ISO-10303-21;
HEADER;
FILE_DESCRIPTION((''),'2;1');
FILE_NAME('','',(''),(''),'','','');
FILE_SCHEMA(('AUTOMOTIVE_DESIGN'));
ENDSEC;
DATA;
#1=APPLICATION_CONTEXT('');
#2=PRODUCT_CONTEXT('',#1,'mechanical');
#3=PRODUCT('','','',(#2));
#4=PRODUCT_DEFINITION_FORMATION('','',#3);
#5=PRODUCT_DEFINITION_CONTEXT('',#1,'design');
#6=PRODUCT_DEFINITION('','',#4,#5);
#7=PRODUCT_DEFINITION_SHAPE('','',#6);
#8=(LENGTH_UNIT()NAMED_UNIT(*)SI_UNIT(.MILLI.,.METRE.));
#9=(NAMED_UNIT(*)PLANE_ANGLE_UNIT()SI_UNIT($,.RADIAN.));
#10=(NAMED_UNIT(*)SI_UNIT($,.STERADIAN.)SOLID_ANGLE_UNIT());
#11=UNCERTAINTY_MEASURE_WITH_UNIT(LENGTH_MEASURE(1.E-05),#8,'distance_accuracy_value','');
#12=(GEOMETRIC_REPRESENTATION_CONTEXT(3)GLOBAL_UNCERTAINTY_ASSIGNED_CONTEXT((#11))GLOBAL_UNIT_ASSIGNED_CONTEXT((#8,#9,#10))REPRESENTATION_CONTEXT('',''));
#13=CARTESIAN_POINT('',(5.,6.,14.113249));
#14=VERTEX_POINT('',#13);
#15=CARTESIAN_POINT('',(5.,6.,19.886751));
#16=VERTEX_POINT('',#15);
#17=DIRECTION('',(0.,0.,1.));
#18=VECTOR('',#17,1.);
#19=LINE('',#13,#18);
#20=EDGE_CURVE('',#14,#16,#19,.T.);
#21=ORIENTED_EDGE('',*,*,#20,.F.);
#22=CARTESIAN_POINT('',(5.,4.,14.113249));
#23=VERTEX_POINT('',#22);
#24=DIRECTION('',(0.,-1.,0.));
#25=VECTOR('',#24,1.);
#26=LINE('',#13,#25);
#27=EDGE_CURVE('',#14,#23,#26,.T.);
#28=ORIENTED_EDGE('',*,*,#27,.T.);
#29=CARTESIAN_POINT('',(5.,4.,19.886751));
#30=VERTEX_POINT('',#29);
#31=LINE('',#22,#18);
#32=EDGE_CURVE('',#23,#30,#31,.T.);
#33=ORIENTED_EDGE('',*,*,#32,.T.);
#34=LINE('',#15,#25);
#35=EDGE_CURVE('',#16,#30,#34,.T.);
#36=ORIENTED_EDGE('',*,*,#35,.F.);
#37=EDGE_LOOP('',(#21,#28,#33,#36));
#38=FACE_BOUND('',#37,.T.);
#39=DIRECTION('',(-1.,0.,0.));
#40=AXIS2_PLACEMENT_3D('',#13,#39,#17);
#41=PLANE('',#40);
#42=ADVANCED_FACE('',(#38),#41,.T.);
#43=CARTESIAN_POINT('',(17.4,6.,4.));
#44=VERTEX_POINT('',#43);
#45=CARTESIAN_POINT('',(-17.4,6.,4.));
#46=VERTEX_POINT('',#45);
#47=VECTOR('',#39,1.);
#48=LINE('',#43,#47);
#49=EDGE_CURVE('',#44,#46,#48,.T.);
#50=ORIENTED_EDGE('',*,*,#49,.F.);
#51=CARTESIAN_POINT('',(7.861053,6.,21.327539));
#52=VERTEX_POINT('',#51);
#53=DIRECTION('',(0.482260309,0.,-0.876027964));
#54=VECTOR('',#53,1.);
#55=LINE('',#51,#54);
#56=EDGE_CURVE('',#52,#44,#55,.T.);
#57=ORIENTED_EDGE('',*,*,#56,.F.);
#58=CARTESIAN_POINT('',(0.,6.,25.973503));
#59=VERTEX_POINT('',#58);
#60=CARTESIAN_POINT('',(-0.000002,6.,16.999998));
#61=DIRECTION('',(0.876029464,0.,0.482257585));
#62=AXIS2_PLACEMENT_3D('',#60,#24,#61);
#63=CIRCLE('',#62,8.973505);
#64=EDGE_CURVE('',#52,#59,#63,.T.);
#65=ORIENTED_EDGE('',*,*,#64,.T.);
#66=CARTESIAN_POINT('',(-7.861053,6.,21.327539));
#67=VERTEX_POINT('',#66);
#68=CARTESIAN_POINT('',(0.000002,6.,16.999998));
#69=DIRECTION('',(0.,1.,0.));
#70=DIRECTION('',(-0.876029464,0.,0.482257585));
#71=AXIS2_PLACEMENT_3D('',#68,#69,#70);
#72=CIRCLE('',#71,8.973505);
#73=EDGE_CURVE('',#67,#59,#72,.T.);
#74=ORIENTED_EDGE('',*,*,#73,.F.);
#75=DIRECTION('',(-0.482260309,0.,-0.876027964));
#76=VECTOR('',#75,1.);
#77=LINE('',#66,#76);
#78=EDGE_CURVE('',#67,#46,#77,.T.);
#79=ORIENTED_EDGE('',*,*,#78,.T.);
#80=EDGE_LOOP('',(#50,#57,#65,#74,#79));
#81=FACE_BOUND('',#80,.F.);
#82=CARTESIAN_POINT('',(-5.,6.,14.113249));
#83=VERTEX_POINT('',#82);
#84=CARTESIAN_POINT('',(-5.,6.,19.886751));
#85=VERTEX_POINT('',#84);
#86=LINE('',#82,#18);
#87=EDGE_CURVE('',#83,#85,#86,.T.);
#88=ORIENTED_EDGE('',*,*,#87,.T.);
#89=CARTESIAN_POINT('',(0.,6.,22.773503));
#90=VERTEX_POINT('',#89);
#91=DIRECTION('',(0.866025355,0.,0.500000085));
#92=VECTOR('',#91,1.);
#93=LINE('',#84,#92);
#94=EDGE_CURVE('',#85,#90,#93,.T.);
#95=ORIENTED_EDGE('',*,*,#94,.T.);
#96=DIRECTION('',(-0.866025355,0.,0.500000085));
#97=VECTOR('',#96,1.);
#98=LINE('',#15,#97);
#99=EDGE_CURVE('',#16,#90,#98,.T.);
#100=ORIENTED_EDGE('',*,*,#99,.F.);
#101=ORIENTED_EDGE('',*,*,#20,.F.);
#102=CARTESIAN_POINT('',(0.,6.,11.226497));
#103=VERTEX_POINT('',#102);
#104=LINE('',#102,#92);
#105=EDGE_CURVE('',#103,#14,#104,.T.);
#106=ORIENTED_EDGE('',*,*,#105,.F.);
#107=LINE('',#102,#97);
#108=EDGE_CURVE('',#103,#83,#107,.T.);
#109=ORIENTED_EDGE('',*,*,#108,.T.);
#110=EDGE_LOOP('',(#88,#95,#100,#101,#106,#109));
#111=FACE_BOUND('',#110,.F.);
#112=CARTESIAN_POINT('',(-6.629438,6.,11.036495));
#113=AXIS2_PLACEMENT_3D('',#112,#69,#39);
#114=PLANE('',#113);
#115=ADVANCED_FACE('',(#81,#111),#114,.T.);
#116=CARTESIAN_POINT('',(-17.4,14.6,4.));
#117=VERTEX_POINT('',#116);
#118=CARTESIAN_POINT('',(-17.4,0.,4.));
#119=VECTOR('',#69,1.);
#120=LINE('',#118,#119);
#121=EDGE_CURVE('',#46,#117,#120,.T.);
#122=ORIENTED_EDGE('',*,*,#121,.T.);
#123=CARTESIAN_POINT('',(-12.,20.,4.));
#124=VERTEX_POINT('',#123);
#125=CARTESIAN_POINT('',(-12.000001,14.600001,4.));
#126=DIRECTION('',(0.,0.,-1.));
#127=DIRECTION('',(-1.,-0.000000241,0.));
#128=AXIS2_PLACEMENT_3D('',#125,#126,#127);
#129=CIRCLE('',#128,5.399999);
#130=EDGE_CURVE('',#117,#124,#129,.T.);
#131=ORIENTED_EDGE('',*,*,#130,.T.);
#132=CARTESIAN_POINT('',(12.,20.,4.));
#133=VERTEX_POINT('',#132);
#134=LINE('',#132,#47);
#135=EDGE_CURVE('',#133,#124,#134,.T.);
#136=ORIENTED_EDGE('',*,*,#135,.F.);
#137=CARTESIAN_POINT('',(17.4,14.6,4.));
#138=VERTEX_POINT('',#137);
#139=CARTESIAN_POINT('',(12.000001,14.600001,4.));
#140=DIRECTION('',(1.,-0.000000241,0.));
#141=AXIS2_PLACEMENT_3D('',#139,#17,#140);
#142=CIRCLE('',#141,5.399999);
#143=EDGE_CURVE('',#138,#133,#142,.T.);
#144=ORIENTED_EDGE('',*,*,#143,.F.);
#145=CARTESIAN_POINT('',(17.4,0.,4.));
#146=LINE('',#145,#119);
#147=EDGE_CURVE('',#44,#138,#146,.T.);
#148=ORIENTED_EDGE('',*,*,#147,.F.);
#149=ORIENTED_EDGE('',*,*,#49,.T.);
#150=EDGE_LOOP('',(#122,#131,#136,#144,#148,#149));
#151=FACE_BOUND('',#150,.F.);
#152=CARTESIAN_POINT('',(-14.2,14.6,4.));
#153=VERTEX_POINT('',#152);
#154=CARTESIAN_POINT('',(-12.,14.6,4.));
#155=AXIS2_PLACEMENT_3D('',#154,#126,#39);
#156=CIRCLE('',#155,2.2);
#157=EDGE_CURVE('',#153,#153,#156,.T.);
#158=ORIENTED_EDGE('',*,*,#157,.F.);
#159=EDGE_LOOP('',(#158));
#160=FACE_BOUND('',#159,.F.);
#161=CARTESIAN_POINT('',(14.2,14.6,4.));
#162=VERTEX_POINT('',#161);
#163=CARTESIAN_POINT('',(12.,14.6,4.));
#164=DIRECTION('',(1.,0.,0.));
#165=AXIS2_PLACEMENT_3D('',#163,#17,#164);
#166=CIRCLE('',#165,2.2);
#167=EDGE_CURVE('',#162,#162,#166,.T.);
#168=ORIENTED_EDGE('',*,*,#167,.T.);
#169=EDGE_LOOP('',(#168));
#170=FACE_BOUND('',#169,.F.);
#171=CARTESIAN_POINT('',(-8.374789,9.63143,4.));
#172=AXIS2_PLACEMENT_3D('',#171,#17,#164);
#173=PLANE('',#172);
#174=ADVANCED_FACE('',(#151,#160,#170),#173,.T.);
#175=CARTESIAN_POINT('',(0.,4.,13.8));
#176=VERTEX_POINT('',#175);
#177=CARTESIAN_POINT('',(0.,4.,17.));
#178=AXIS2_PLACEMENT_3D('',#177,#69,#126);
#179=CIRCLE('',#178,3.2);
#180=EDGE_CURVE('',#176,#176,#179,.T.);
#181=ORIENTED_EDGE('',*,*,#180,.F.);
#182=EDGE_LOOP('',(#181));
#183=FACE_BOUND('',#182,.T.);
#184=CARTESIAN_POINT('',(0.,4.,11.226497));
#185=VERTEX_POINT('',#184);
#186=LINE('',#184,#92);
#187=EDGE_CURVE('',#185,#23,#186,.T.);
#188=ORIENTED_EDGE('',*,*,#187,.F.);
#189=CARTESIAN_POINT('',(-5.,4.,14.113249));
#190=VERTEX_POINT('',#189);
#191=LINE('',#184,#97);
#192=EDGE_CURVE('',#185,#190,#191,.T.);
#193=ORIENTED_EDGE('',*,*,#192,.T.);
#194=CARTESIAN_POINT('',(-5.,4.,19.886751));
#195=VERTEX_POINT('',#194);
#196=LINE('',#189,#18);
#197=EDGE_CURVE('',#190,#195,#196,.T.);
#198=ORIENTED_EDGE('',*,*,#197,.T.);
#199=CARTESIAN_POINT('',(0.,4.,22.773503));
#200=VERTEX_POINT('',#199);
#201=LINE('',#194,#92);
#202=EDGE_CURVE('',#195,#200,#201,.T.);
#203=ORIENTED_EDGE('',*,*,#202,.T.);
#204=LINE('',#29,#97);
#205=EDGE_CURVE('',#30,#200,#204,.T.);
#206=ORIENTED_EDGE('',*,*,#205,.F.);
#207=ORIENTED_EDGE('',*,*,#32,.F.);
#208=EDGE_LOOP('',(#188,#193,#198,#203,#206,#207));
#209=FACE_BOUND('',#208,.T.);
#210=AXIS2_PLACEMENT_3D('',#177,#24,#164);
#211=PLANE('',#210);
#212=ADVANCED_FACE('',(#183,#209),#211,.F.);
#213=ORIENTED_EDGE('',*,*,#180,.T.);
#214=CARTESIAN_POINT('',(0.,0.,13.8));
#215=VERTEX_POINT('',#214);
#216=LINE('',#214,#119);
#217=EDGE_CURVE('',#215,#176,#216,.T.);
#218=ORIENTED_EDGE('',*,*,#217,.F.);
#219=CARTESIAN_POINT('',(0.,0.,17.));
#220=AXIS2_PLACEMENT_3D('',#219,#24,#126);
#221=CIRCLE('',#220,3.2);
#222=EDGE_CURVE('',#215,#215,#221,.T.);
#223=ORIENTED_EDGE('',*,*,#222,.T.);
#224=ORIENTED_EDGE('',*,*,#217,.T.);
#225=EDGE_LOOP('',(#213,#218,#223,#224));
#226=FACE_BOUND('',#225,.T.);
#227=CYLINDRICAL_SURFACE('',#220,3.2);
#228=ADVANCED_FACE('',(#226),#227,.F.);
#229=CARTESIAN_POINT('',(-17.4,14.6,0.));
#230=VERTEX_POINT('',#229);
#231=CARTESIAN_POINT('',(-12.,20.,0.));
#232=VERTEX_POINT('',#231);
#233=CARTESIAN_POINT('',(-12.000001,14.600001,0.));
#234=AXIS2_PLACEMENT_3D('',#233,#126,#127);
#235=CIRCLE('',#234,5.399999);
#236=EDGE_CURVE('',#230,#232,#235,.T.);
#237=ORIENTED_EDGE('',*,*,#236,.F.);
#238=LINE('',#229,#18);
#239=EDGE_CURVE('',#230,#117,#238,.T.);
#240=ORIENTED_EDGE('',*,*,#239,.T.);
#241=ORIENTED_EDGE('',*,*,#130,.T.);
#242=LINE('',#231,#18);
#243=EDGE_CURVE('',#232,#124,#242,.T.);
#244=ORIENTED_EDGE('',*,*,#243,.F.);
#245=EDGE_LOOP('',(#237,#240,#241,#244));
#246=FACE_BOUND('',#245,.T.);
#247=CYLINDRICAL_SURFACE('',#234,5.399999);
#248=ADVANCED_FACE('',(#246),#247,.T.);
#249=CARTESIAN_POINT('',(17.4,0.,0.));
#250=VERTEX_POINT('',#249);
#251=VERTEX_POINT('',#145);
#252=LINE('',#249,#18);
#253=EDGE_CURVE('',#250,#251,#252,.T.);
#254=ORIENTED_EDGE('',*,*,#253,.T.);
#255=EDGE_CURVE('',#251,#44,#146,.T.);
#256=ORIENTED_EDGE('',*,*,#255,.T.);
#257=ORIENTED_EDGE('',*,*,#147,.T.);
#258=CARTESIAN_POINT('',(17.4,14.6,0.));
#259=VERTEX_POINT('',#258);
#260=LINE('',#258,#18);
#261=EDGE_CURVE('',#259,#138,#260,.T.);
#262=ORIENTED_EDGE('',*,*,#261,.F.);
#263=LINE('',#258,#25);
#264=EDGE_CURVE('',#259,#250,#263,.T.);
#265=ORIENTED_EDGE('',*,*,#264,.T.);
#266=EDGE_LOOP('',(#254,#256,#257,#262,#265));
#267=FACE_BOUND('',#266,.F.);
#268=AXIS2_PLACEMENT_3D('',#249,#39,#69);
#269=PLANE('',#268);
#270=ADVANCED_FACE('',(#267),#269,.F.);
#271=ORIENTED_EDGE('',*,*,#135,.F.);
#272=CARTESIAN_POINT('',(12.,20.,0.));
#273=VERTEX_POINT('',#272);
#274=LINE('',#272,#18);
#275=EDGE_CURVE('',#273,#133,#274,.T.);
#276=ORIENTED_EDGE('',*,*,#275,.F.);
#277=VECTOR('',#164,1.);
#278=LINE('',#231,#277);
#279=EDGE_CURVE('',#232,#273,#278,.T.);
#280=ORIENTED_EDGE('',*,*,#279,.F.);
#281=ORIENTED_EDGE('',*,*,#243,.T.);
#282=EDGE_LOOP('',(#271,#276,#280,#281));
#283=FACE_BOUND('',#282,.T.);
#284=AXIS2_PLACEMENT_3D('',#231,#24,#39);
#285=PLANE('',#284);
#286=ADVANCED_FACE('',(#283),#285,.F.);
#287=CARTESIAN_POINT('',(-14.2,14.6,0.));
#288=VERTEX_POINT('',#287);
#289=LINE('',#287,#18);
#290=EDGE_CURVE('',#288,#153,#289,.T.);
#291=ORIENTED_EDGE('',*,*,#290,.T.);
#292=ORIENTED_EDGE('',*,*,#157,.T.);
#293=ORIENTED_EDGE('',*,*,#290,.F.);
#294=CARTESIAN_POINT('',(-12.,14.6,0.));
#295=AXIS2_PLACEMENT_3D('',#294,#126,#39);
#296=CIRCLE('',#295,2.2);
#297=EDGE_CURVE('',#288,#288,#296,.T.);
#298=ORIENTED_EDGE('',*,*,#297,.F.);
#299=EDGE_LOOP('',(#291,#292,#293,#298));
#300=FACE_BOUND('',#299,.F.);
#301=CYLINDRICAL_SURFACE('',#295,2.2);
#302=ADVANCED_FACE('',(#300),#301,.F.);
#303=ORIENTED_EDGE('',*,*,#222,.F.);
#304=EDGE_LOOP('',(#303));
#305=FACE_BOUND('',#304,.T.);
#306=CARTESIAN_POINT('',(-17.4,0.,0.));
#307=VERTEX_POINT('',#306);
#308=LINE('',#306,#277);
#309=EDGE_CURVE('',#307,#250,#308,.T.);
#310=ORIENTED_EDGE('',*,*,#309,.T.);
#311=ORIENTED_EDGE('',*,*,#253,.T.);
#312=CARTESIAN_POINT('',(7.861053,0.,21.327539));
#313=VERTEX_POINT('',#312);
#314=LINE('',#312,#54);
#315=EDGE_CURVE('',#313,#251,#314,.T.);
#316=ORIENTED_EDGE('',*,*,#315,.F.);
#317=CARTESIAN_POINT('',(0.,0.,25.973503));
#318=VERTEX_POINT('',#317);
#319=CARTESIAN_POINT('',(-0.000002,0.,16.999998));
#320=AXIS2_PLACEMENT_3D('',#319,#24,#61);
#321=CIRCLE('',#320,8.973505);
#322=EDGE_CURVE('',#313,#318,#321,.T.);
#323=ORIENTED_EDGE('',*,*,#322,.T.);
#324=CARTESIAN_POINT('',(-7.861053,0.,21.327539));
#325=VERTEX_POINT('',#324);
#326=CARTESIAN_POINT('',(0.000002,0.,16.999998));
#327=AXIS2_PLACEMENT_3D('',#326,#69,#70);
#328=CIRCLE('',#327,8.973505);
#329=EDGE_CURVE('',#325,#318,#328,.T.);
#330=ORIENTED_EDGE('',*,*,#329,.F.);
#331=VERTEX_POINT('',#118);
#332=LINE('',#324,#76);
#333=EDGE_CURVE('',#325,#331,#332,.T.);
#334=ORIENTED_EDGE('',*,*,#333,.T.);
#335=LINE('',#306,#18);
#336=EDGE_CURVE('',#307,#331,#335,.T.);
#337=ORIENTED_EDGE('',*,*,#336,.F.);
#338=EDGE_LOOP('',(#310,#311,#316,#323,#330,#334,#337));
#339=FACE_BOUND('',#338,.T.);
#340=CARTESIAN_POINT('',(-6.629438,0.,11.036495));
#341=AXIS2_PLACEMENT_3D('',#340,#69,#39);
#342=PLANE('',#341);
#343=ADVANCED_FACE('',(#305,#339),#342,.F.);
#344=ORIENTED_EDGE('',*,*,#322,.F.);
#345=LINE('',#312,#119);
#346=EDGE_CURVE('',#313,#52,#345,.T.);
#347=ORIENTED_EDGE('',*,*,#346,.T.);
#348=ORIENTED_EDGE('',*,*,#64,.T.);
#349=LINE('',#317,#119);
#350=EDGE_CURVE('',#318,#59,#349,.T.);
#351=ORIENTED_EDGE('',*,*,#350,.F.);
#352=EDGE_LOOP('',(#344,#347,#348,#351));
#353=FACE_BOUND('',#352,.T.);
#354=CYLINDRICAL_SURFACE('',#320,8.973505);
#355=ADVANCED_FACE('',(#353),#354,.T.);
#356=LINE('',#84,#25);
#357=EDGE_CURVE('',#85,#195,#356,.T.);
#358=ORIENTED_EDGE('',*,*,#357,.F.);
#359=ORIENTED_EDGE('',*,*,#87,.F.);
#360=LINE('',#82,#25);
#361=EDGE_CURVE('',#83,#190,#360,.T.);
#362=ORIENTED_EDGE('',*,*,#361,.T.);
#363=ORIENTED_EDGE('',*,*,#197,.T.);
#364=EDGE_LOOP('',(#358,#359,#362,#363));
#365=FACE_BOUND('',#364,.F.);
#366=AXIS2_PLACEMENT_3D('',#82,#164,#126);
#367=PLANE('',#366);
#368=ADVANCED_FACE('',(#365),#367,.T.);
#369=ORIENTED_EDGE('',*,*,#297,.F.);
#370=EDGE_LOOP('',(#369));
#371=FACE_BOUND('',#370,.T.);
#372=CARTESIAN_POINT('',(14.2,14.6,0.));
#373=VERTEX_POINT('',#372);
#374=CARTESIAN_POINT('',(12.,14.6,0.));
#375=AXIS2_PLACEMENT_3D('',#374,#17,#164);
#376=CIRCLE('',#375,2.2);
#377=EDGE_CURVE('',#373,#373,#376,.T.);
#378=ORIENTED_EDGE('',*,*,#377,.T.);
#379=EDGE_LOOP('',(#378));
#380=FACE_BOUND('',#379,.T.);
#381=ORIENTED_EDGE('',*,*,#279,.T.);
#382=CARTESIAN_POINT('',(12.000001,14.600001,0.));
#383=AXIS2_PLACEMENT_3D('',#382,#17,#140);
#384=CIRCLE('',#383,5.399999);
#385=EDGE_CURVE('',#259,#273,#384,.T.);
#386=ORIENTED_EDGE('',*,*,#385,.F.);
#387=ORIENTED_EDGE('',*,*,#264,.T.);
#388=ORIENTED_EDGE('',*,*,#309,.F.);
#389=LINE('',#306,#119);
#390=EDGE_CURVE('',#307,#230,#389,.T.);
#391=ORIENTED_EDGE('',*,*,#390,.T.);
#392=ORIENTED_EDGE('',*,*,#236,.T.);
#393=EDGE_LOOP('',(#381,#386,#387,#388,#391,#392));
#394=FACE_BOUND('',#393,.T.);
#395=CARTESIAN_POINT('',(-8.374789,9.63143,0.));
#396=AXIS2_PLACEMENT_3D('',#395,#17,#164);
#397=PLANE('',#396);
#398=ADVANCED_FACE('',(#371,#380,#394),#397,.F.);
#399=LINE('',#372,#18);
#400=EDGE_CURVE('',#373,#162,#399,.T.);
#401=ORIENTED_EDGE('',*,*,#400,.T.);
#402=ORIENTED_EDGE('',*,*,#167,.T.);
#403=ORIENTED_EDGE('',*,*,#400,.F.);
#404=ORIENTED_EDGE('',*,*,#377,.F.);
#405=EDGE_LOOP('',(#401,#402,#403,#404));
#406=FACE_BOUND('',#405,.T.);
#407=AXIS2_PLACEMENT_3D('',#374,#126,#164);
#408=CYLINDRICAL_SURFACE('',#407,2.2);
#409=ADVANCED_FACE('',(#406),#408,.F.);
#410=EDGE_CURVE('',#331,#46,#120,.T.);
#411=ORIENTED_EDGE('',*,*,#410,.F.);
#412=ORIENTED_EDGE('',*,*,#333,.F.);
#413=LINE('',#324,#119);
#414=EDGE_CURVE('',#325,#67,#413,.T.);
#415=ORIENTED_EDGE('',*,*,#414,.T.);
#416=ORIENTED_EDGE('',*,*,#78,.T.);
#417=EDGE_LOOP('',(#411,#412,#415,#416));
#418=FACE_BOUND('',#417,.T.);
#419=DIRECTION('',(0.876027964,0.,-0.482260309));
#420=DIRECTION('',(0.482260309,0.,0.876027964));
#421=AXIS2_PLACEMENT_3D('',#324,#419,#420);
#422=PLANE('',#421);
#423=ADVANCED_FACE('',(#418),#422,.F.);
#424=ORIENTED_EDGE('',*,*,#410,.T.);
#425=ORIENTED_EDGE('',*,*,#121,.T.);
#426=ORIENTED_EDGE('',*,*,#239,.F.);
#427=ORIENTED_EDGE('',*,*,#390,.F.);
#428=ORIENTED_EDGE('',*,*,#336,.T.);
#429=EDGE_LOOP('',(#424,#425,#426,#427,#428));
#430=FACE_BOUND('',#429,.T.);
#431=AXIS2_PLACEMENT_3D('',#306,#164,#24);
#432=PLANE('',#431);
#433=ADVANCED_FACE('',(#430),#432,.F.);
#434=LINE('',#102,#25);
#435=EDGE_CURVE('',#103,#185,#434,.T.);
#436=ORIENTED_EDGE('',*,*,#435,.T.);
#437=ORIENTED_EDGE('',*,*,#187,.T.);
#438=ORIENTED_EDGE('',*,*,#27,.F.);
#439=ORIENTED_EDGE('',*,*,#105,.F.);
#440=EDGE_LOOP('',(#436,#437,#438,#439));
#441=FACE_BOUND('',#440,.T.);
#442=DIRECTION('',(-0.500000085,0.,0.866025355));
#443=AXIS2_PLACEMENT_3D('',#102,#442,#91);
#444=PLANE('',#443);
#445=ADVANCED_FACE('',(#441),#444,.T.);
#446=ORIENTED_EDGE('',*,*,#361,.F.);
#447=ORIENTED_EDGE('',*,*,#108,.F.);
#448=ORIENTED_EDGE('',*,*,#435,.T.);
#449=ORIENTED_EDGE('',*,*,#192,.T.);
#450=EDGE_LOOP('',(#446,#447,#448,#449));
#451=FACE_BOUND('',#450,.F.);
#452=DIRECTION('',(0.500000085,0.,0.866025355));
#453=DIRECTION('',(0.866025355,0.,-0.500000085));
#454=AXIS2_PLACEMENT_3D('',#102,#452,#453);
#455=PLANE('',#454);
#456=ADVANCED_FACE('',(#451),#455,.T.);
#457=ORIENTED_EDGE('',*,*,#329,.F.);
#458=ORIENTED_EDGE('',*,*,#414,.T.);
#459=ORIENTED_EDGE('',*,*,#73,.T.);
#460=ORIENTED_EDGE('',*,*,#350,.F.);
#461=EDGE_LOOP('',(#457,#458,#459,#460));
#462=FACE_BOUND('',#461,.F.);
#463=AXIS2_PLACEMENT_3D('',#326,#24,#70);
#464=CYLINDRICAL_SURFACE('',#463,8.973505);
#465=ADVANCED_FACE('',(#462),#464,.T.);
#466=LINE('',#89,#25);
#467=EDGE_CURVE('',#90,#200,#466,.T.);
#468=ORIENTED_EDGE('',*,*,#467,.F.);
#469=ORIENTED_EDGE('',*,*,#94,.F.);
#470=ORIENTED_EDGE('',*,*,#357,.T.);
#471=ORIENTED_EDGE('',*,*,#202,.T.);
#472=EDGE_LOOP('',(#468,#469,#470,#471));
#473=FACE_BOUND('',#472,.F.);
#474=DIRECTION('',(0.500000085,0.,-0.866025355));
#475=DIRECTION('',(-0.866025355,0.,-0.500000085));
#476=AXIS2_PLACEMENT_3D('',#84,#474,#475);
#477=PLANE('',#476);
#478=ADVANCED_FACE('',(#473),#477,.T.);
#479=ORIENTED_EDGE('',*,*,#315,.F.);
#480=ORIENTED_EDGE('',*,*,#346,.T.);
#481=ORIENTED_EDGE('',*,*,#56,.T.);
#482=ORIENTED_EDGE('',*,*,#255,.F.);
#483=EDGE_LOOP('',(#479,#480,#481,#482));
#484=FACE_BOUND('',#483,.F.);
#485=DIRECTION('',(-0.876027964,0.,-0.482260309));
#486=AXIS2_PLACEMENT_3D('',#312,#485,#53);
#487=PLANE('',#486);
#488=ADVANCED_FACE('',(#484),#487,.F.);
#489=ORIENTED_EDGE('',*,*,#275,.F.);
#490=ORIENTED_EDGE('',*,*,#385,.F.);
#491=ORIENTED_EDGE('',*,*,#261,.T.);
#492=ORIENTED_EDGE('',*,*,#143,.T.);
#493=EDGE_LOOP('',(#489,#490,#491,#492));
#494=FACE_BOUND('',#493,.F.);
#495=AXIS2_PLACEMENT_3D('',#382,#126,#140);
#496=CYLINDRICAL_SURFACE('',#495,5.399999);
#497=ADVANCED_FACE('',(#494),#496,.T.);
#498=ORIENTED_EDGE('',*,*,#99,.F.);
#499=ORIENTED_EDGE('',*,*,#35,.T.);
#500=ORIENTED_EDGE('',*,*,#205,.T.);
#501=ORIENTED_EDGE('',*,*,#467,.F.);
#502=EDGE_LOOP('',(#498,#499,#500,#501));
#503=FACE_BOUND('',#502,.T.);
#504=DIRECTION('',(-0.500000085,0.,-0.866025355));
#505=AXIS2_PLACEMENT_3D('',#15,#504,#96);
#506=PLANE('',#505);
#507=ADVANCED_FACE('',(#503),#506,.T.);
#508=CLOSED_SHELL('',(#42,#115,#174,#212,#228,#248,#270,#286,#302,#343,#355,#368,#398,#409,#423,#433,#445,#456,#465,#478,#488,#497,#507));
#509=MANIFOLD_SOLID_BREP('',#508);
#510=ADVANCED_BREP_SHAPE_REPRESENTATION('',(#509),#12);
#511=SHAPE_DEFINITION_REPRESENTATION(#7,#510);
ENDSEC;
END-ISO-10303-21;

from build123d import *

# Parameters (mm, degrees)
SKETCH_R     = 2.2
PAD_DEPTH    = 4
PAD001_DEPTH = 6
POCKET_DEPTH = 2


with BuildPart() as part:
    # Sketch → Pad (new body)
    with BuildSketch(Plane.XY):
        with BuildLine():
            Line((0, 0), (17.4, 0))
            Line((17.4, 0), (17.4, 14.6))
            ThreePointArc((17.4, 14.6), (15.818377, 18.418377), (12, 20))
            Line((12, 20), (0, 20))
            Line((0, 20), (0, 0))
        make_face()
        with Locations((12, 14.6)):
            Circle(SKETCH_R, mode=Mode.SUBTRACT)
    pad = extrude(amount=PAD_DEPTH)

    # Sketch001 → Pad001 (join)
    with BuildSketch(Plane.XZ):
        with BuildLine():
            ThreePointArc((0, 13.8), (3.2, 17), (0, 20.2))
            Line((0, 20.2), (0, 25.973503))
            ThreePointArc((7.861053, 21.327539), (4.565663, 24.725184), (0, 25.973503))
            Line((7.861053, 21.327539), (17.4, 4))
            Line((17.4, 0), (17.4, 4))
            Line((0, 0), (17.4, 0))
            Line((0, 13.8), (0, 0))
        make_face()
    pad001 = extrude(amount=-PAD001_DEPTH)

    # Sketch002 → Pocket (cut)
    with BuildSketch(Plane.XZ.offset(-6)):
        Polygon((0, 22.773503), (-5, 19.886751), (-5, 14.113249), (0, 11.226497), (5, 14.113249), (5, 19.886751), align=None)
    pocket = extrude(amount=POCKET_DEPTH, mode=Mode.SUBTRACT)

    # Mirrored: Pad, Pad001, Pocket across Sketch V_Axis
    add(pad.mirror(Plane(origin=(0, 0, 0), x_dir=(0, 0, 1), z_dir=(1, 0, 0))))
    add(pad001.mirror(Plane(origin=(0, 0, 0), x_dir=(0, 0, 1), z_dir=(1, 0, 0))))
    add(pocket.mirror(Plane(origin=(0, 0, 0), x_dir=(0, 0, 1), z_dir=(1, 0, 0))), mode=Mode.SUBTRACT)


solid = part.part
